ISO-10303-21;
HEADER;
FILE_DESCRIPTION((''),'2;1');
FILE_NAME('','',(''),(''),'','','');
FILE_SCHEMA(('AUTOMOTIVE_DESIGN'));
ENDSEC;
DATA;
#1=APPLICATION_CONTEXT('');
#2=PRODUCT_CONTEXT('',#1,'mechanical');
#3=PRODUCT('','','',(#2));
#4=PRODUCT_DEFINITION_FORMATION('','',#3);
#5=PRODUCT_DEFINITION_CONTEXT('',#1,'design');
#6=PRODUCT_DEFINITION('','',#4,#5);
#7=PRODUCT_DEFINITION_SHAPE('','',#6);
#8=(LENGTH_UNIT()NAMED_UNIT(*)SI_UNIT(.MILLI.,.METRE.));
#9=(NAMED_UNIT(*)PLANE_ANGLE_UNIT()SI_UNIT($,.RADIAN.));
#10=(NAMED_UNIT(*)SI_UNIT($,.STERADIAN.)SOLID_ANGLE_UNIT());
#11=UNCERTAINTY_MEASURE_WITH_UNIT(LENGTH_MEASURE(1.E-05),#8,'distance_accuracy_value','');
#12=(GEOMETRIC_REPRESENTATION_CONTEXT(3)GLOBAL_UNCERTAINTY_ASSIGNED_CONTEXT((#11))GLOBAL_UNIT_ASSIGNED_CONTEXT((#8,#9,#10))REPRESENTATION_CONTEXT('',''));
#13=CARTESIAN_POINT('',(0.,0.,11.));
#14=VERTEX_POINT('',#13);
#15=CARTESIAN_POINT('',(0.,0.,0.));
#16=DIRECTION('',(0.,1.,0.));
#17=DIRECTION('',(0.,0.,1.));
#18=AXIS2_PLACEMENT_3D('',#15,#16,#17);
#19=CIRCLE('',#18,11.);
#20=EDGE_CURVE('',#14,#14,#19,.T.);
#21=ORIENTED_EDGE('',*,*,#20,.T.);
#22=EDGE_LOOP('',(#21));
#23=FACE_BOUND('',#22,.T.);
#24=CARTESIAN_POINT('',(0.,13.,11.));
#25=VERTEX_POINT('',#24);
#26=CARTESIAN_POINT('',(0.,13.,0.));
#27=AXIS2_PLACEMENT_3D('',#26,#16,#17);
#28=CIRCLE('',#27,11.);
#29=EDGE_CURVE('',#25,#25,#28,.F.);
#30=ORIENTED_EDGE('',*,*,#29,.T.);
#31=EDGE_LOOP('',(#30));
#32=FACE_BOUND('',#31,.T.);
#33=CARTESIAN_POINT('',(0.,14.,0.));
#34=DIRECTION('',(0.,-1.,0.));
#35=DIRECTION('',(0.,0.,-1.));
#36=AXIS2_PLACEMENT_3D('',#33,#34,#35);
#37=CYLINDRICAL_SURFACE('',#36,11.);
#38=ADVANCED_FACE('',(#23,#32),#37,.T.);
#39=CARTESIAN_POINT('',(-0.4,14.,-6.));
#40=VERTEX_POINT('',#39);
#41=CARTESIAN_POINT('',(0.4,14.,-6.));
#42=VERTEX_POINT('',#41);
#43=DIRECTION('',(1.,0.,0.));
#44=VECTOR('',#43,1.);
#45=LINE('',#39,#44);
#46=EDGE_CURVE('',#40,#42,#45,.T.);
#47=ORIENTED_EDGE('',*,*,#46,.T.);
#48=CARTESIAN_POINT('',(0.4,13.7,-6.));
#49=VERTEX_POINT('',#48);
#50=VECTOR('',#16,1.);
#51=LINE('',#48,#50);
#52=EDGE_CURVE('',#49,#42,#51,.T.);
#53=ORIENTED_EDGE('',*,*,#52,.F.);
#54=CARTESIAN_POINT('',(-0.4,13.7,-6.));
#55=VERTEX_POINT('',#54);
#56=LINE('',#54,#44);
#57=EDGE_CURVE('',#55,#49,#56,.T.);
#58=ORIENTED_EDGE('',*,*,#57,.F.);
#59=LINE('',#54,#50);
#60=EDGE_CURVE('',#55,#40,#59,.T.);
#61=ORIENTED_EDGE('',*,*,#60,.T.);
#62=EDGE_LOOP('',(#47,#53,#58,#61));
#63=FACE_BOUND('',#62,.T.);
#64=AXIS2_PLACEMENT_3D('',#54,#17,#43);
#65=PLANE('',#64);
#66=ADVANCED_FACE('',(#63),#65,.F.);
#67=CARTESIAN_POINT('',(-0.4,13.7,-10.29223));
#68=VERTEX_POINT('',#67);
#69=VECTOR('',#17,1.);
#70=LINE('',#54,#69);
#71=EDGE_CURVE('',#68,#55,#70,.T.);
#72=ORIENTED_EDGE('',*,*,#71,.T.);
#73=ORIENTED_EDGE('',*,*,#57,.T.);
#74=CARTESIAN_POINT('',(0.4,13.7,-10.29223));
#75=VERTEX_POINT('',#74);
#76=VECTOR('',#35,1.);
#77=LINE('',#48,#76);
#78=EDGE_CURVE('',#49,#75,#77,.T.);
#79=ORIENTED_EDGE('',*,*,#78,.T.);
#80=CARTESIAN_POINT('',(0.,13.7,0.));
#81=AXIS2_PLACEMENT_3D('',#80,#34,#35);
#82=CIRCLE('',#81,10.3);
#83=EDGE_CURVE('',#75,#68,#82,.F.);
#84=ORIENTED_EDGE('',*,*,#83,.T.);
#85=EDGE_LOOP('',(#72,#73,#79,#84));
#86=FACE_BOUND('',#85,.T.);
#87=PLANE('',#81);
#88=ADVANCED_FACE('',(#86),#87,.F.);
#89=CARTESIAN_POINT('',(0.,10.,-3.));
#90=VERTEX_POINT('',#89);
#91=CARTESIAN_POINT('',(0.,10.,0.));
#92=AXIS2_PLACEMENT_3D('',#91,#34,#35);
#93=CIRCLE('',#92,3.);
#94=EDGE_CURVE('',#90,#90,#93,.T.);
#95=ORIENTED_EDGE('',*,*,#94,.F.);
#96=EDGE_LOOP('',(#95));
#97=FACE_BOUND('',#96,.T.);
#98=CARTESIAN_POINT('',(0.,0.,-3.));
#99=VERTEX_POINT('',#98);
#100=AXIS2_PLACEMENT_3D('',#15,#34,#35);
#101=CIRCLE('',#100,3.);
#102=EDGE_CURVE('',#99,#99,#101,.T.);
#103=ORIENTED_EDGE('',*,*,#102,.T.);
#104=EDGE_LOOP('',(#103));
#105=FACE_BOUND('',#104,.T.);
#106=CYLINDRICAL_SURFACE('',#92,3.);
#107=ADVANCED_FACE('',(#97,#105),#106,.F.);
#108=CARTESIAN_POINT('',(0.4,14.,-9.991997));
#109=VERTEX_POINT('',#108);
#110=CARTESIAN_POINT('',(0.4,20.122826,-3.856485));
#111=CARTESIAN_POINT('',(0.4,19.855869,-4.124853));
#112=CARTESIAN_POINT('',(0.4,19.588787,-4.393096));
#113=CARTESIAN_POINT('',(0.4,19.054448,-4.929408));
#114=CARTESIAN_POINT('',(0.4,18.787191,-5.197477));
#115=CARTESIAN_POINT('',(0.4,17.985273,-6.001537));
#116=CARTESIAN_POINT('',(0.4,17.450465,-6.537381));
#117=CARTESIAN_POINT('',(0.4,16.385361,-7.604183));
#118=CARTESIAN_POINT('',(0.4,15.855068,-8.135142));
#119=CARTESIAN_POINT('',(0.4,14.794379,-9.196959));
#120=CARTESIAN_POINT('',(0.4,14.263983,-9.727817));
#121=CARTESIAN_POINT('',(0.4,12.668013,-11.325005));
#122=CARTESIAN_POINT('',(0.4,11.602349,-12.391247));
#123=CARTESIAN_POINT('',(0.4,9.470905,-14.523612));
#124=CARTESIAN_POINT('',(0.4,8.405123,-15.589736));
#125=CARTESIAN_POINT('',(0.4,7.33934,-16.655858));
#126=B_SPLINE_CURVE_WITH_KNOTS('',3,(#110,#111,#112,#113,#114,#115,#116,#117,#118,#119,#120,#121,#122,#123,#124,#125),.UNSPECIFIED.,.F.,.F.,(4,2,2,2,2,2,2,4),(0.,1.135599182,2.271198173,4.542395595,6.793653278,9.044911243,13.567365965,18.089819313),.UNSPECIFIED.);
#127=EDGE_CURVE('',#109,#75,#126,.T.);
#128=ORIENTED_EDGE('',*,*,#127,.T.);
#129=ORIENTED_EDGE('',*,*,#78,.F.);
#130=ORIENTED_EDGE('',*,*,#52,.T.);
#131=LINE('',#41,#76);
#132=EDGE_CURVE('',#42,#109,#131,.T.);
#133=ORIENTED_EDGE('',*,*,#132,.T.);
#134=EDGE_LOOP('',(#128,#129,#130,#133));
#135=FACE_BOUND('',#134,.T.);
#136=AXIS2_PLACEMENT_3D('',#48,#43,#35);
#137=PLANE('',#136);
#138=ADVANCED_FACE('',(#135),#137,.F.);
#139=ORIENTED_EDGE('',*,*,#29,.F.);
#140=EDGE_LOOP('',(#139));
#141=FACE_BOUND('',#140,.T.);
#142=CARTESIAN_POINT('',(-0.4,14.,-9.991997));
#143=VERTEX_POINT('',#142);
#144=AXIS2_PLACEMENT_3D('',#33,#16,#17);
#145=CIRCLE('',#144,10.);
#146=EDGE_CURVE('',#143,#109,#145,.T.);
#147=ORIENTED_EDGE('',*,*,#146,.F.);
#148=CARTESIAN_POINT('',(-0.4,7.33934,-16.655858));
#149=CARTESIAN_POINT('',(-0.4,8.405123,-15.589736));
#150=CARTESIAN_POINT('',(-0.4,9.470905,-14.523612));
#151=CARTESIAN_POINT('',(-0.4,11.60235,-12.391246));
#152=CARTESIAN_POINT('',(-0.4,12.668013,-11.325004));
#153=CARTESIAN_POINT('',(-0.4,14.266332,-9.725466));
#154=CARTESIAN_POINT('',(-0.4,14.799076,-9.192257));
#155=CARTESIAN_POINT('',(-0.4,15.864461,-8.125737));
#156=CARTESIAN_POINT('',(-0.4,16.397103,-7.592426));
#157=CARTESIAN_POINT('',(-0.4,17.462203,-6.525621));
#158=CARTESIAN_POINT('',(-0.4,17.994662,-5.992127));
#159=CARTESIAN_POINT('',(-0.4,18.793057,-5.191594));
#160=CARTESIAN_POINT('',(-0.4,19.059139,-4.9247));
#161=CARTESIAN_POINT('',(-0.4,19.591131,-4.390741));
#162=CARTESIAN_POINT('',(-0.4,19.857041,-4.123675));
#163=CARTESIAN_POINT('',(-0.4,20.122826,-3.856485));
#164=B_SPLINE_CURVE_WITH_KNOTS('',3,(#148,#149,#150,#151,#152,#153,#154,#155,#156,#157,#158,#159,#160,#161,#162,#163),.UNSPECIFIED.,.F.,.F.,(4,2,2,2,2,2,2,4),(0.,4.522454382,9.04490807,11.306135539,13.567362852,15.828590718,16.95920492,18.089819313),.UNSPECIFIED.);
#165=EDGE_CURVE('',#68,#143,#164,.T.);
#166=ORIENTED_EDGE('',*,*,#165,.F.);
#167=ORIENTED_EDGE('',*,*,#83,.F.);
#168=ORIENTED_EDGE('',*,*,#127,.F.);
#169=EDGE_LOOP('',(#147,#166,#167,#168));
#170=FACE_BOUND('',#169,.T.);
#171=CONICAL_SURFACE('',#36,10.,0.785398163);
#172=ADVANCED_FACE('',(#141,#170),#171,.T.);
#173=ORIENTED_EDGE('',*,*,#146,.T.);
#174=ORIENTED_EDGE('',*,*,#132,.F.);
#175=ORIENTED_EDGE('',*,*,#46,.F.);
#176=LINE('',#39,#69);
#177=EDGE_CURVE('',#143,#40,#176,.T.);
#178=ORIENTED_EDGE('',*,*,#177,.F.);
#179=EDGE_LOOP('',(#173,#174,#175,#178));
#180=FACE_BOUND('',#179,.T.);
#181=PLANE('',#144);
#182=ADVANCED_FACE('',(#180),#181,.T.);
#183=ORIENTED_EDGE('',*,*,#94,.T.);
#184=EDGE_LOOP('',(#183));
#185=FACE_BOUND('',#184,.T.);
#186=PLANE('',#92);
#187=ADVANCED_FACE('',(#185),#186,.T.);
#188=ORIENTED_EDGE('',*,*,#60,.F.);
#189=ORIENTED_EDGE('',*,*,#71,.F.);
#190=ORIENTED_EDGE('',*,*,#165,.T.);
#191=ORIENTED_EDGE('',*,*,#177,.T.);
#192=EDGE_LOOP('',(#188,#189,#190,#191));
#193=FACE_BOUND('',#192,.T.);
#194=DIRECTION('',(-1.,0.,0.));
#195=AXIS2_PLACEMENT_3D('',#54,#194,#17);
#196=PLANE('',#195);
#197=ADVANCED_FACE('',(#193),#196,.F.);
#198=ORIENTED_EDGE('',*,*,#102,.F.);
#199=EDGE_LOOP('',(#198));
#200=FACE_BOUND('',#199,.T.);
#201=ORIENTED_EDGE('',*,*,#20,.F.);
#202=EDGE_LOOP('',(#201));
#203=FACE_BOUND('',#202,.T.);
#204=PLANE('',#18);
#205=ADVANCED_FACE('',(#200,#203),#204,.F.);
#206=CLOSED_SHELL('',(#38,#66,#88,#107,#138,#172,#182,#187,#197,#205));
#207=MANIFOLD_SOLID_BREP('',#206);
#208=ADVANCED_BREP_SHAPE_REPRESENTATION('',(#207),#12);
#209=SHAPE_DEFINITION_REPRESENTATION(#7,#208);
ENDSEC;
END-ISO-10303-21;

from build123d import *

# Parameters (mm, degrees)
SKETCH1_R           = 11
BOSS_EXTRUDE1_DEPTH = 14
CHAMFER1_SIZE       = 1
SKETCH3_W           = 0.8
SKETCH3_H           = 5
CUT_EXTRUDE1_DEPTH  = 0.3
SKETCH4_R           = 3
CUT_EXTRUDE2_DEPTH  = 10


with BuildPart() as part:
    # Sketch1 → Boss-Extrude1 (new body)
    with BuildSketch(Plane(origin=(0, 0, 0), x_dir=(1, 0, 0), z_dir=(0, 1, 0))):
        with Locations(Location((0, 0, 0), (0, 0, 270))):
            Circle(SKETCH1_R)
    extrude(amount=BOSS_EXTRUDE1_DEPTH)

    # Chamfer1
    chamfer1_edges = [part.edges().sort_by_distance(p)[0] for p in [
        (0, 14, -11),
    ]]
    chamfer(chamfer1_edges, length=CHAMFER1_SIZE)

    # Sketch3 → Cut-Extrude1 (cut)
    with BuildSketch(Plane(origin=(0, 14, 0), x_dir=(1, 0, 0), z_dir=(0, 1, 0))):
        with Locations((0, 8.5)):
            Rectangle(SKETCH3_W, SKETCH3_H)
    extrude(amount=-CUT_EXTRUDE1_DEPTH, mode=Mode.SUBTRACT)

    # Sketch4 → Cut-Extrude2 (cut)
    with BuildSketch(Plane.XZ):
        with Locations(Location((0, 0, 0), (0, 0, 270))):
            Circle(SKETCH4_R)
    extrude(amount=-CUT_EXTRUDE2_DEPTH, mode=Mode.SUBTRACT)


solid = part.part
